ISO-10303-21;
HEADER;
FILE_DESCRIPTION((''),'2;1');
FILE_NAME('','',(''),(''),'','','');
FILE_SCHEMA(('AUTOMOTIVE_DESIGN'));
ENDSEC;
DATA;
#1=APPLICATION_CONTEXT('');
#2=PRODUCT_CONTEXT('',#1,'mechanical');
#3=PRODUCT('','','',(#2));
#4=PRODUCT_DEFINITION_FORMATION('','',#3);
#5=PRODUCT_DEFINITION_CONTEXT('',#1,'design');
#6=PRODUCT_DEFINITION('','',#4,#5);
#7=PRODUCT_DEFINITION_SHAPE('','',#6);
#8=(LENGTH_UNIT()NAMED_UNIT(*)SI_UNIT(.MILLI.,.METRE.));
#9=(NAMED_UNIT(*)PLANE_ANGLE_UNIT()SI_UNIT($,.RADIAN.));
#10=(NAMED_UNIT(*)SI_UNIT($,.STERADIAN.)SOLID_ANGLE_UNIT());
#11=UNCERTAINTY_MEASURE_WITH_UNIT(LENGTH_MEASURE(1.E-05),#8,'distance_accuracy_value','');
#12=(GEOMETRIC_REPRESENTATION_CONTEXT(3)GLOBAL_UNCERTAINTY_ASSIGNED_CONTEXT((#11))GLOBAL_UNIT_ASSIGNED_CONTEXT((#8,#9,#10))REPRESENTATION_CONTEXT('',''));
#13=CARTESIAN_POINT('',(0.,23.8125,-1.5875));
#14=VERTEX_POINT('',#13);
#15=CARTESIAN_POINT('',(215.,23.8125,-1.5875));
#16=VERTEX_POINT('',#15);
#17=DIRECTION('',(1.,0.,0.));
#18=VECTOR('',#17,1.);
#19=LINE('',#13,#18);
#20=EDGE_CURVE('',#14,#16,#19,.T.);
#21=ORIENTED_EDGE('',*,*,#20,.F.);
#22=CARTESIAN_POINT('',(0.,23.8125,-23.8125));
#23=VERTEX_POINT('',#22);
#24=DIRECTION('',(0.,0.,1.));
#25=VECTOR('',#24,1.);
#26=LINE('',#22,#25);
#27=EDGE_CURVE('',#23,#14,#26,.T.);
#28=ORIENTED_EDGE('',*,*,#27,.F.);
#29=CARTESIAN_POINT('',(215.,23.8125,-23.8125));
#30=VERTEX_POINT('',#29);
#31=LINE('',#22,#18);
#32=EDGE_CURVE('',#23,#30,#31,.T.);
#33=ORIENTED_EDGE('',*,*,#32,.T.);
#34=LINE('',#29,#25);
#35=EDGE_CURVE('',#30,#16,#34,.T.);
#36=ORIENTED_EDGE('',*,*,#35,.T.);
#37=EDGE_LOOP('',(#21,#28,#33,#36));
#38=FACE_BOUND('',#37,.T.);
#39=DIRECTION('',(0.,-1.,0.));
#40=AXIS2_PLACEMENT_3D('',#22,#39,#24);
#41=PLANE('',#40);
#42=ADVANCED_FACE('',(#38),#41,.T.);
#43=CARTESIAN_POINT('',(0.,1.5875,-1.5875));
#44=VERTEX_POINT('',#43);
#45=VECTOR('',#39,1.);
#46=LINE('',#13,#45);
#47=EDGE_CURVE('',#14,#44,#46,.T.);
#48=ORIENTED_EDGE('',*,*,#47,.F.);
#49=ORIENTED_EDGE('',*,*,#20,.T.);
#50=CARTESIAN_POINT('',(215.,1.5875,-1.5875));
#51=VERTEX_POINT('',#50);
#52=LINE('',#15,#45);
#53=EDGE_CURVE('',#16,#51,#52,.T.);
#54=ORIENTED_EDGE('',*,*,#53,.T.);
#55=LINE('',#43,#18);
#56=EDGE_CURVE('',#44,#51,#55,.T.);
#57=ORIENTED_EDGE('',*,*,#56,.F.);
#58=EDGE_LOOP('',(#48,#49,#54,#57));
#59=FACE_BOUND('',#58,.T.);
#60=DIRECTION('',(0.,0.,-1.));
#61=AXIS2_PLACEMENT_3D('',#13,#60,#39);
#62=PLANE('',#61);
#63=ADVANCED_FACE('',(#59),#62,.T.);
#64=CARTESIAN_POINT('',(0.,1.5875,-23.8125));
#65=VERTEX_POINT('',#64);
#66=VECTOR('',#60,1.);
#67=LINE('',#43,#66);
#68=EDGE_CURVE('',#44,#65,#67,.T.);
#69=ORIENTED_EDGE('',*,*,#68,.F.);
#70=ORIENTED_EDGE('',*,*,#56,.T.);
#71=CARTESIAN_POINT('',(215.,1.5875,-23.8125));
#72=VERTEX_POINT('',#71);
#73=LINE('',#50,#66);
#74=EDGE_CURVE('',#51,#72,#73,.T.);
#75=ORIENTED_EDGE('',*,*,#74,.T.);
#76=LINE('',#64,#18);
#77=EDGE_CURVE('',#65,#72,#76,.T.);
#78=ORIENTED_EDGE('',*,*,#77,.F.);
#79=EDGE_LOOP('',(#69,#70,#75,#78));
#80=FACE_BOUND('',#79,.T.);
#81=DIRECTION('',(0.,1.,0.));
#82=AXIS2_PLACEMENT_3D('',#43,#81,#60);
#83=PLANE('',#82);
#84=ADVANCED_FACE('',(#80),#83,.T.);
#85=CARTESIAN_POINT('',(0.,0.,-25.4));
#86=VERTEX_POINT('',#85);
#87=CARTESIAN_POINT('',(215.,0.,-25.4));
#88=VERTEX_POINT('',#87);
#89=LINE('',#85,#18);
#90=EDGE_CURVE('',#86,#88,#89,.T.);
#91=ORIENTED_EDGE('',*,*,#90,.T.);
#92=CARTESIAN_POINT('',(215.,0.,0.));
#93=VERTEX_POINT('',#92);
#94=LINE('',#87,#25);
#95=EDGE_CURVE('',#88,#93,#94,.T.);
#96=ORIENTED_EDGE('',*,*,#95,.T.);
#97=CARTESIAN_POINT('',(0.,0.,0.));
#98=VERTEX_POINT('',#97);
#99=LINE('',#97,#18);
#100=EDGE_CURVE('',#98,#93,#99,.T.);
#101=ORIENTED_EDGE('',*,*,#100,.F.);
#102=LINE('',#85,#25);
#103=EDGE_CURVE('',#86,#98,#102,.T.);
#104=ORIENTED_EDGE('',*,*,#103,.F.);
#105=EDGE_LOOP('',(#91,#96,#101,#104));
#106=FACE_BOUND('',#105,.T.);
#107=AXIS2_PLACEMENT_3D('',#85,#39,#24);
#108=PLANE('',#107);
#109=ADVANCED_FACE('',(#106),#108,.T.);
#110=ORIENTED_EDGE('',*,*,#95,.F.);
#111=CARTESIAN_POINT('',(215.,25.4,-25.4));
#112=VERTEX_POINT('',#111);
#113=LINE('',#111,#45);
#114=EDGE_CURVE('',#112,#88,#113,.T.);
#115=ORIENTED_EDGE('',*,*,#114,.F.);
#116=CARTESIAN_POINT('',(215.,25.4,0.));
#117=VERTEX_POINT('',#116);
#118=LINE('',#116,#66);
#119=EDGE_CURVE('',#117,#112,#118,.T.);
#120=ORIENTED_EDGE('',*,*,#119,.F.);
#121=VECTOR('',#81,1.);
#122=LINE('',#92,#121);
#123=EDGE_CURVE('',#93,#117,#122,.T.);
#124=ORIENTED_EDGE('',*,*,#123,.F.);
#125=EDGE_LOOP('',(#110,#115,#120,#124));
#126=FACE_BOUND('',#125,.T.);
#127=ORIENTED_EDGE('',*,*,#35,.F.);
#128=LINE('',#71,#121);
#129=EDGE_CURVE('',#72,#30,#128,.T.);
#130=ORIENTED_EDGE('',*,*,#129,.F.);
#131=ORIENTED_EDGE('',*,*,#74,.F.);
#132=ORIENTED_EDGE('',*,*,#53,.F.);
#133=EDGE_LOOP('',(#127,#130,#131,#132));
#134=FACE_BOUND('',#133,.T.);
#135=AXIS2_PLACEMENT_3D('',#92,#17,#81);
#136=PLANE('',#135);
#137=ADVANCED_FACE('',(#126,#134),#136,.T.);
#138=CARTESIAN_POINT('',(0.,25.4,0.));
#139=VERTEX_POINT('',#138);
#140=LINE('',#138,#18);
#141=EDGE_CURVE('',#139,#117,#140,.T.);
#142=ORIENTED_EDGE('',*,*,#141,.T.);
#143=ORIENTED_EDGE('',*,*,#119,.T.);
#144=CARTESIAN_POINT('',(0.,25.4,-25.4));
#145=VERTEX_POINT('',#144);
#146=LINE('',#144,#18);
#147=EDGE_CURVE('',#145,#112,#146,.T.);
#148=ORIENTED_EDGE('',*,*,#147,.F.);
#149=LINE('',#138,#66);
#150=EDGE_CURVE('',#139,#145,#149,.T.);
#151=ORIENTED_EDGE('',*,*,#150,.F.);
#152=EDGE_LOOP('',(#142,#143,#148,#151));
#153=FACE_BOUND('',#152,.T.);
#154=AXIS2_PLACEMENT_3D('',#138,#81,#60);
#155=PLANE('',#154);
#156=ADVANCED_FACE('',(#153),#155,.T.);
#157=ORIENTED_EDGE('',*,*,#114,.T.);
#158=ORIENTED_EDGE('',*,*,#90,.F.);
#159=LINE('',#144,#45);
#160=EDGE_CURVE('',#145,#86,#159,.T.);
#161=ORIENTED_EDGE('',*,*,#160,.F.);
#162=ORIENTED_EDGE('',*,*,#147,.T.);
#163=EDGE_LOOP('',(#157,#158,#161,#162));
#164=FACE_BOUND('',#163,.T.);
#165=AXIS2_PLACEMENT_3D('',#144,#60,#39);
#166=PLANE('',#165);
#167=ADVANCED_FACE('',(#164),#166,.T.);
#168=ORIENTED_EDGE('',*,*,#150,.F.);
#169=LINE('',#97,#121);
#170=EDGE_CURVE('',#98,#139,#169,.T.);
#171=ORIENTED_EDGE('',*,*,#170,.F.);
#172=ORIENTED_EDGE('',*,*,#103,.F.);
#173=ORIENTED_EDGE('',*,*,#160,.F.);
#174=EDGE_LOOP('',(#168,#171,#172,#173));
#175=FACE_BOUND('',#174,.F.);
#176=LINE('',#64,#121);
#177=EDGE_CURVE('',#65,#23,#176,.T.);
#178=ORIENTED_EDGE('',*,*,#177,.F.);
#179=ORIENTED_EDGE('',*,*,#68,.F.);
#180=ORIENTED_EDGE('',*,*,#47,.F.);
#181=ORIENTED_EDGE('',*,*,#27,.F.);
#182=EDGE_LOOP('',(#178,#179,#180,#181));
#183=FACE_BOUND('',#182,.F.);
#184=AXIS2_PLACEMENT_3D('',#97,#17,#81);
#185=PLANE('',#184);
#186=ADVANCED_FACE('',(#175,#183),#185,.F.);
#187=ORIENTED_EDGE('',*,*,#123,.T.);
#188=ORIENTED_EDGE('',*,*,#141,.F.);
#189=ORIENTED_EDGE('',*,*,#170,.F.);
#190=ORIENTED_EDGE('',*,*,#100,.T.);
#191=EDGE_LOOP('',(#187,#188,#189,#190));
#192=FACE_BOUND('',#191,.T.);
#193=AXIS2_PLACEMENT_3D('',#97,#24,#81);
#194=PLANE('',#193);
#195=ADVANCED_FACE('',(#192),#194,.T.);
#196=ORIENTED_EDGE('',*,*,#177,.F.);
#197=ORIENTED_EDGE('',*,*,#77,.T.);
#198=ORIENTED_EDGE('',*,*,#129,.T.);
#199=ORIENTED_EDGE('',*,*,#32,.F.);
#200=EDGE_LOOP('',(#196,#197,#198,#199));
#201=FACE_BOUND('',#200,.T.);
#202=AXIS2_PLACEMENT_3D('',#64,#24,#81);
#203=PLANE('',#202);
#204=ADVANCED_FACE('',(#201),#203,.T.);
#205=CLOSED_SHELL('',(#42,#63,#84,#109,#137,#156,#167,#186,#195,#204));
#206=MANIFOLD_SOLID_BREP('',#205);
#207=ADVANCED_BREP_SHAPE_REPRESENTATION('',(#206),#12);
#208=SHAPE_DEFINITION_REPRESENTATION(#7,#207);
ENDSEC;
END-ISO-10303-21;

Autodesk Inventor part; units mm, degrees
ref_plane "YZ Plane" through (0, 0, 0) normal (1, 0, 0) x (0, 1, 0)
ref_plane "XZ Plane" through (0, 0, 0) normal (0, 1, 0) x (-1, 0, 0)
ref_plane "XY Plane" through (0, 0, 0) normal (0, 0, 1) x (1, 0, 0)
sketch "Sketch1" plane through (0, 0, 0) normal (1, 0, 0) x (0, 1, 0)
  line L0 (0, 0) -> (25.4, 0)
  line L1 (25.4, 0) -> (25.4, -25.4)
  line L2 (25.4, -25.4) -> (0, -25.4)
  line L3 (0, -25.4) -> (0, 0)
  line L4 (23.8125, -23.8125) -> (23.8125, -1.5875)
  line L5 (23.8125, -1.5875) -> (1.5875, -1.5875)
  line L6 (1.5875, -1.5875) -> (1.5875, -23.8125)
  line L7 (1.5875, -23.8125) -> (23.8125, -23.8125)
  dimension "d0" = 25.4
  dimension "d1" = 25.4
  dimension "d2" = 1.5875
extrude "Extrusion1" add sketch "Sketch1" along normal blind 215
properties part number "Pillar_Long"
